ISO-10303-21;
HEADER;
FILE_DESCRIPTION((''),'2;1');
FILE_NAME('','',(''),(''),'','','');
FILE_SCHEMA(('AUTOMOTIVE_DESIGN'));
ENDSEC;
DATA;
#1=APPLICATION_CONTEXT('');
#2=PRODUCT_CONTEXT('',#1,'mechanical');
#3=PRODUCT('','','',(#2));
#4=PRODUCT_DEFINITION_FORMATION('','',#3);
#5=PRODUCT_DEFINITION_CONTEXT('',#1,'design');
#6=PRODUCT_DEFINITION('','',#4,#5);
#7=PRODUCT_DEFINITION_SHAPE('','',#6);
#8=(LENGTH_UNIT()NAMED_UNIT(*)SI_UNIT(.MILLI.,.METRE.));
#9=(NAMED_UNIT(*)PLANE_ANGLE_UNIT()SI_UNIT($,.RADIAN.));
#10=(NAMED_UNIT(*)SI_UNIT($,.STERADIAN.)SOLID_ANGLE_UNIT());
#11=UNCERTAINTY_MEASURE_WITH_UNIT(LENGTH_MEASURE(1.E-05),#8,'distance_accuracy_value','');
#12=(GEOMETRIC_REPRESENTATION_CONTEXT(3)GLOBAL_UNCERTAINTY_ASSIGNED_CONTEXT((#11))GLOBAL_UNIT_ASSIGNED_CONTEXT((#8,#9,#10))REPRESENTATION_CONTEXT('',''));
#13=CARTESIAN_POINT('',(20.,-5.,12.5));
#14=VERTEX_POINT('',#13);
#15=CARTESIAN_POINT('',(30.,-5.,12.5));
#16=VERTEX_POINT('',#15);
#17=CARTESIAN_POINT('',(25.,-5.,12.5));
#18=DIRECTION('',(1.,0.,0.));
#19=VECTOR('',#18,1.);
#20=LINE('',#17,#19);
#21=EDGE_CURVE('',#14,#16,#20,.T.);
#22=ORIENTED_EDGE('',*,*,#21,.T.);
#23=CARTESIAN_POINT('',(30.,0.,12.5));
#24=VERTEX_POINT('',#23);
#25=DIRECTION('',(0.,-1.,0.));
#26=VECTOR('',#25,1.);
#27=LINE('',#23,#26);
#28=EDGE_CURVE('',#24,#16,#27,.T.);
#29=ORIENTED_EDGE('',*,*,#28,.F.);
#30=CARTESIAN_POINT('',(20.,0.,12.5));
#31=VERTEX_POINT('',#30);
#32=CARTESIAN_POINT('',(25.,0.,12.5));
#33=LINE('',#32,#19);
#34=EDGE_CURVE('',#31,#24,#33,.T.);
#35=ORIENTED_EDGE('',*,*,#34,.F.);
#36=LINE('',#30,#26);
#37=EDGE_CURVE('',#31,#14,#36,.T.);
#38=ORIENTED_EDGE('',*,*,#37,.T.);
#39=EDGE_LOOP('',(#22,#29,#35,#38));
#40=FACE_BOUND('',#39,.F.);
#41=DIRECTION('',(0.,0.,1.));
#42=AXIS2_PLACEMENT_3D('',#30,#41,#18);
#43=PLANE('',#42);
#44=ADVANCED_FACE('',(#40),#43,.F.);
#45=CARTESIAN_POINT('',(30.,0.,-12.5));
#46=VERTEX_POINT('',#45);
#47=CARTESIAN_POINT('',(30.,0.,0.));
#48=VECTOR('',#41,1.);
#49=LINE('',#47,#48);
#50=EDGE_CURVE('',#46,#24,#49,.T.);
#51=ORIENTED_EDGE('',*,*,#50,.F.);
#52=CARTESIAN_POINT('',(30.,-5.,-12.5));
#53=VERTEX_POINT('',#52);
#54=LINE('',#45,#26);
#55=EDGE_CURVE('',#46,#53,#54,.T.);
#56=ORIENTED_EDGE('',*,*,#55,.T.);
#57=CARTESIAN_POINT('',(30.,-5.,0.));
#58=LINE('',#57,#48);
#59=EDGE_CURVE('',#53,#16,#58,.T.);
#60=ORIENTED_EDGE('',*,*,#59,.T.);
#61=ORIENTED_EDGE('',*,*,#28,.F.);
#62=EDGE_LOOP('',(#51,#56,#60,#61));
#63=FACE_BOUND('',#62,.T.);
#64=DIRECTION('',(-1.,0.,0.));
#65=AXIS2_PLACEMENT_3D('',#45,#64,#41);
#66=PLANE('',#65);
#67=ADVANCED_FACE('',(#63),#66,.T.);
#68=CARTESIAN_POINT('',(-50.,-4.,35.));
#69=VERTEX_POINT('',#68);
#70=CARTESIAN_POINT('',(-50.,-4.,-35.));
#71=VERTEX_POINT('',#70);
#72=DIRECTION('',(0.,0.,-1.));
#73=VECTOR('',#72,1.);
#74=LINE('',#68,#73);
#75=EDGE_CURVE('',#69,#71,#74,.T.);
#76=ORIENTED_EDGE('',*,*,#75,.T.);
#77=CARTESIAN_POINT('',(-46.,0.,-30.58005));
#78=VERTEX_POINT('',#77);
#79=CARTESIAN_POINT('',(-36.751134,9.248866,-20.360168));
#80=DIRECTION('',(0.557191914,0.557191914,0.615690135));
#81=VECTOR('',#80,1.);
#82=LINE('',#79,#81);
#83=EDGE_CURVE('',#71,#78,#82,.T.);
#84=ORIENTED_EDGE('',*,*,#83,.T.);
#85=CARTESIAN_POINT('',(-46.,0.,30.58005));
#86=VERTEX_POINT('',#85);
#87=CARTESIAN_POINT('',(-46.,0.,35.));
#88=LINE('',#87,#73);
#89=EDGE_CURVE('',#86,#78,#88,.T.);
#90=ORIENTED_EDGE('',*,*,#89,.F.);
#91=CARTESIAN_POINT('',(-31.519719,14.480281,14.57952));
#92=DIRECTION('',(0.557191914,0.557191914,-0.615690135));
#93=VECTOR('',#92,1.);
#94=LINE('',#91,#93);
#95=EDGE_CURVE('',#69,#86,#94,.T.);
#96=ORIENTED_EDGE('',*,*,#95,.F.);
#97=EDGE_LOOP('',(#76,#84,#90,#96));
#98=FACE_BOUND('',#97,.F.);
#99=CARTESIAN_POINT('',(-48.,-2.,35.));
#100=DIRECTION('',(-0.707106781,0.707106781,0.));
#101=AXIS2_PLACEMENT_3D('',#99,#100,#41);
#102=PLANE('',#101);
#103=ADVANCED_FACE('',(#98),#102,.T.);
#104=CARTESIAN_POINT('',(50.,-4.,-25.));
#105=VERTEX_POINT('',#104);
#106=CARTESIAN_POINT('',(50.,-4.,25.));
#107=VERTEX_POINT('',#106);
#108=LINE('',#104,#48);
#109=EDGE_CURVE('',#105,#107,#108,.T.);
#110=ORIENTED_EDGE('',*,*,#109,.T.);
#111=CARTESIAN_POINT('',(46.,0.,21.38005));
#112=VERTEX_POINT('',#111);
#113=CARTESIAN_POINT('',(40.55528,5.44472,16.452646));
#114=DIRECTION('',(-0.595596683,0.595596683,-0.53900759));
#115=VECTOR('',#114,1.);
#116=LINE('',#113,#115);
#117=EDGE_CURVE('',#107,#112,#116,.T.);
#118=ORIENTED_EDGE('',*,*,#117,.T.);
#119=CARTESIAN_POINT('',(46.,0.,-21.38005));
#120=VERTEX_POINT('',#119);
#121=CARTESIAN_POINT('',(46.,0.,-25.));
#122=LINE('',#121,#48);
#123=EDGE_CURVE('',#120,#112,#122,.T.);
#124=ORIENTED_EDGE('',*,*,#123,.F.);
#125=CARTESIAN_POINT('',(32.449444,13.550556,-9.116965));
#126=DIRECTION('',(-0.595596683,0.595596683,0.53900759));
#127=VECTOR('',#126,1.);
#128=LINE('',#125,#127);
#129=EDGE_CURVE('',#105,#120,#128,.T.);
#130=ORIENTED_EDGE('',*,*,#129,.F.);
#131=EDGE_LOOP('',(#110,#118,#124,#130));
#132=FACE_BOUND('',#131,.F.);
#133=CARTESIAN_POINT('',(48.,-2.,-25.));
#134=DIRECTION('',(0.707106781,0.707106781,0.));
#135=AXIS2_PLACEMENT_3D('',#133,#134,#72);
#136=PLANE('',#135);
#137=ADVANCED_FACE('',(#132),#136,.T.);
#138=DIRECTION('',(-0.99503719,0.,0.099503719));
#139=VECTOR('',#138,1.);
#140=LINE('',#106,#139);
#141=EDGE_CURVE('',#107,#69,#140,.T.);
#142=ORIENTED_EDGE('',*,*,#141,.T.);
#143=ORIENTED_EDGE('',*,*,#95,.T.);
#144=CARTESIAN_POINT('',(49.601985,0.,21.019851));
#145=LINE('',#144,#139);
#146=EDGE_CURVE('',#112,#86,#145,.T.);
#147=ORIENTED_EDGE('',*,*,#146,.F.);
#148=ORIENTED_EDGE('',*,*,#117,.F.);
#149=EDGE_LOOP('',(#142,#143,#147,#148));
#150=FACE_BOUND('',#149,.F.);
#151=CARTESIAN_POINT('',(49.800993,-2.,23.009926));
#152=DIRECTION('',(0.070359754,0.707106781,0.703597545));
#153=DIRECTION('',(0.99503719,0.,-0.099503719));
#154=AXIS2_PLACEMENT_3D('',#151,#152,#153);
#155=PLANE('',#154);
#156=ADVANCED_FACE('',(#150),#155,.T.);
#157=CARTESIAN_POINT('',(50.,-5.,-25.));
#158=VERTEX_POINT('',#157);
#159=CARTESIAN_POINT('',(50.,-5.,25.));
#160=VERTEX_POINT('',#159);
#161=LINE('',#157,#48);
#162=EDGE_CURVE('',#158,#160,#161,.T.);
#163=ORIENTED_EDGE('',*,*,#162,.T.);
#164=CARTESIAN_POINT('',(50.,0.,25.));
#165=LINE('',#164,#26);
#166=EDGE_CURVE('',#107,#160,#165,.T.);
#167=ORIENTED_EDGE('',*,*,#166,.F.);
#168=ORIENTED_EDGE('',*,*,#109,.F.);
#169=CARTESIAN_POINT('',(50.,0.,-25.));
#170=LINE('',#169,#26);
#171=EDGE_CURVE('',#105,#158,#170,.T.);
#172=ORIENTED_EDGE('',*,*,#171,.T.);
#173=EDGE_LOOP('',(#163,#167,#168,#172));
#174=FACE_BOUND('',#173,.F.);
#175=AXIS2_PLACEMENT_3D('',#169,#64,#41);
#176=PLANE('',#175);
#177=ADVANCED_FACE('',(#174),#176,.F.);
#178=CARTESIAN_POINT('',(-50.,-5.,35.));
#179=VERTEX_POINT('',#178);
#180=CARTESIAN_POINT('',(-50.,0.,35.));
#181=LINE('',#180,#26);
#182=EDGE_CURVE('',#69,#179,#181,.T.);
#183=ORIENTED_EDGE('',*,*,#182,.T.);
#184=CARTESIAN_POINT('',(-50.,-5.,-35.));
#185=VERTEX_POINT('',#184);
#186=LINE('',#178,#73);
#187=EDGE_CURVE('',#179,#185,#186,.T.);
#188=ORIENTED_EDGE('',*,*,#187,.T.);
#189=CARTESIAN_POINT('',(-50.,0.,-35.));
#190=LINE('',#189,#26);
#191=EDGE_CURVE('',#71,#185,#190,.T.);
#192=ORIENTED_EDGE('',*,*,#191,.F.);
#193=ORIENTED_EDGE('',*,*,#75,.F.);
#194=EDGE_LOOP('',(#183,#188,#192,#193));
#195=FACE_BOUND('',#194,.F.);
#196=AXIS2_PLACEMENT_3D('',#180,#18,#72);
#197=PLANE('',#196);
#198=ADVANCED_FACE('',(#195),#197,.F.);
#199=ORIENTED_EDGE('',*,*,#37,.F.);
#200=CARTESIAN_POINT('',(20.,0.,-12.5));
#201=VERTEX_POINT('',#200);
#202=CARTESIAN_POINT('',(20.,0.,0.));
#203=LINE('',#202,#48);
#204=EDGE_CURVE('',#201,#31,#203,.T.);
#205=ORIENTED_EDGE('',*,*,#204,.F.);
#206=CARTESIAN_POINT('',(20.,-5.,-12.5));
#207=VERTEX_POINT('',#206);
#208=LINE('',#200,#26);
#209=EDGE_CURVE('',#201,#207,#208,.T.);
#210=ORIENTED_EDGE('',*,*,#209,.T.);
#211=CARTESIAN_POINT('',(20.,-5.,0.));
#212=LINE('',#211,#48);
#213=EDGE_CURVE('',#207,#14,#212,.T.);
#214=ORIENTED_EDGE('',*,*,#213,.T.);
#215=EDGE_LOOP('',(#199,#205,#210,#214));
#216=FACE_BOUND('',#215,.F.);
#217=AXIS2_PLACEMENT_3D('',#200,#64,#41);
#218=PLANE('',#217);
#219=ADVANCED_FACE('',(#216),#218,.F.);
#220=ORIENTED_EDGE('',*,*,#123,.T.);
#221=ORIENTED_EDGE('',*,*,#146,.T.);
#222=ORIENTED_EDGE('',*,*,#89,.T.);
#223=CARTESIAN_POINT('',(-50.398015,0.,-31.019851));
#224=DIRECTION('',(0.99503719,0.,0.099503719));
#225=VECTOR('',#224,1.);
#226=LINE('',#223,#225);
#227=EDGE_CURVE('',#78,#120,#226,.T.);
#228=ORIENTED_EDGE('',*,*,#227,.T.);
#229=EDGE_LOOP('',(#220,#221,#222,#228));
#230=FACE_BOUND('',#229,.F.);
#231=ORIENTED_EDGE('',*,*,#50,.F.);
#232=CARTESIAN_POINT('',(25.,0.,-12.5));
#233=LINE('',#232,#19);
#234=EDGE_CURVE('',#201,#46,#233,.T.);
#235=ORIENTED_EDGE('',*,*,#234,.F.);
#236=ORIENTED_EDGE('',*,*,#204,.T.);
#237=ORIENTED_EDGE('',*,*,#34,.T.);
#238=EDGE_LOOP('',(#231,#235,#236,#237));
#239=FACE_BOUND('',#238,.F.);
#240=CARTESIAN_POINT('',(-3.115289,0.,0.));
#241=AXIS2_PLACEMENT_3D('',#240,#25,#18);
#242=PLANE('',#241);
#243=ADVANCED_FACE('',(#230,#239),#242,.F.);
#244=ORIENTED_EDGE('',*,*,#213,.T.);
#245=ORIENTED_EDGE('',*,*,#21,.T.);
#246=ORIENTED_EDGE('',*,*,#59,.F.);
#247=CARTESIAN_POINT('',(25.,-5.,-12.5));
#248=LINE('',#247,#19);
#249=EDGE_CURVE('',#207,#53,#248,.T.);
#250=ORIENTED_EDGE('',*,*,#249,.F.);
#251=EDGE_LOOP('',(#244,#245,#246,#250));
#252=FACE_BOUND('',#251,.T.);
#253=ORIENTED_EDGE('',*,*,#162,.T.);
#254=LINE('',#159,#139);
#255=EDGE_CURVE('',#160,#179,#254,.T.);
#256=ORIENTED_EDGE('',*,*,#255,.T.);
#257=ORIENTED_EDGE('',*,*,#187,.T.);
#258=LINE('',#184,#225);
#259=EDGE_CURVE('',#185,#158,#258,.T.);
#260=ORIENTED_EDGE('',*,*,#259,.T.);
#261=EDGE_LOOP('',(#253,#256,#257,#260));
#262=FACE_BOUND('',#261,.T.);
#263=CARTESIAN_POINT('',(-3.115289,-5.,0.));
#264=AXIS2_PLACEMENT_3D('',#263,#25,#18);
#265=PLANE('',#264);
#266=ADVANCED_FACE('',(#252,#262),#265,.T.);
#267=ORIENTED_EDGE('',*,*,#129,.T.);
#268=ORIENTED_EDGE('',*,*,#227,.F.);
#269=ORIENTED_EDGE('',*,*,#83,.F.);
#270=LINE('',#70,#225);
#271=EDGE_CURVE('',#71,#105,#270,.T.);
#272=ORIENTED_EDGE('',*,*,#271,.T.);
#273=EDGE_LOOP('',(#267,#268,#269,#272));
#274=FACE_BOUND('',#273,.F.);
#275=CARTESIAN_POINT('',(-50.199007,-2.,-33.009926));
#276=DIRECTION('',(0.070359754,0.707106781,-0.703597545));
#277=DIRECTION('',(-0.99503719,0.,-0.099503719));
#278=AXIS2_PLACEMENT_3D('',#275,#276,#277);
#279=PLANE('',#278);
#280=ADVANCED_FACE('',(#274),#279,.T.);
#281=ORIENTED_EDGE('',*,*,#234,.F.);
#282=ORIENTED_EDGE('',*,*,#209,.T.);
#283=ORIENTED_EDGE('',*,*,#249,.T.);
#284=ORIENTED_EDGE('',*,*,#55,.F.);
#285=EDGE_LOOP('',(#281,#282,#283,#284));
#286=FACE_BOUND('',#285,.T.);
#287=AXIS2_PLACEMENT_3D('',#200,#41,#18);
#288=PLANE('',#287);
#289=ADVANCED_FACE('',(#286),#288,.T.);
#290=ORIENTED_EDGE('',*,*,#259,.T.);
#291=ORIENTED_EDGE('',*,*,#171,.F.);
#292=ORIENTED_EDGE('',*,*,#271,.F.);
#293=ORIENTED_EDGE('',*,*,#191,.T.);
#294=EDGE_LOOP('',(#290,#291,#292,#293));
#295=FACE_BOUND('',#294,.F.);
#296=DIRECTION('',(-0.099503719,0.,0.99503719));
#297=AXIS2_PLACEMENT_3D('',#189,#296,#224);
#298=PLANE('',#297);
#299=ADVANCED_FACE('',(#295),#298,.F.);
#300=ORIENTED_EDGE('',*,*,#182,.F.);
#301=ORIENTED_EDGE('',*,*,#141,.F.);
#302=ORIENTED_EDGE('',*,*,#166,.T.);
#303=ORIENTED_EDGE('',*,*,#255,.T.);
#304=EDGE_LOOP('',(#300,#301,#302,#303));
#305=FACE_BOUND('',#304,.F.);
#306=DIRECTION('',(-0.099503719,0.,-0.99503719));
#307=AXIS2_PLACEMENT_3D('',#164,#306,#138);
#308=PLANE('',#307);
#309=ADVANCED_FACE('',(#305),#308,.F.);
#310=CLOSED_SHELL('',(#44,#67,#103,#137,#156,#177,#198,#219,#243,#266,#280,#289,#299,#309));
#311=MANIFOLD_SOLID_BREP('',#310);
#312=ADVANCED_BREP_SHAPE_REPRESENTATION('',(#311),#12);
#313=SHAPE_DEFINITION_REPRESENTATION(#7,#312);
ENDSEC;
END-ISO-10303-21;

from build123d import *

# Parameters (mm, degrees)
SKETCH_W     = 10
SKETCH_H     = 25
PAD_DEPTH    = 5
CHAMFER_SIZE = 4


with BuildPart() as part:
    # Sketch → Pad (new body)
    with BuildSketch(Plane.XZ):
        Polygon((-50, -35), (50, -25), (50, 25), (-50, 35), align=None)
        with Locations((25, 0)):
            Rectangle(SKETCH_W, SKETCH_H, mode=Mode.SUBTRACT)
    extrude(amount=PAD_DEPTH)

    # Chamfer
    chamfer_edges = [part.edges().sort_by_distance(p)[0] for p in [
        (0, 0, 30),
        (50, 0, 0),
        (0, 0, -30),
        (-50, 0, 0),
    ]]
    chamfer(chamfer_edges, length=CHAMFER_SIZE)


solid = part.part
